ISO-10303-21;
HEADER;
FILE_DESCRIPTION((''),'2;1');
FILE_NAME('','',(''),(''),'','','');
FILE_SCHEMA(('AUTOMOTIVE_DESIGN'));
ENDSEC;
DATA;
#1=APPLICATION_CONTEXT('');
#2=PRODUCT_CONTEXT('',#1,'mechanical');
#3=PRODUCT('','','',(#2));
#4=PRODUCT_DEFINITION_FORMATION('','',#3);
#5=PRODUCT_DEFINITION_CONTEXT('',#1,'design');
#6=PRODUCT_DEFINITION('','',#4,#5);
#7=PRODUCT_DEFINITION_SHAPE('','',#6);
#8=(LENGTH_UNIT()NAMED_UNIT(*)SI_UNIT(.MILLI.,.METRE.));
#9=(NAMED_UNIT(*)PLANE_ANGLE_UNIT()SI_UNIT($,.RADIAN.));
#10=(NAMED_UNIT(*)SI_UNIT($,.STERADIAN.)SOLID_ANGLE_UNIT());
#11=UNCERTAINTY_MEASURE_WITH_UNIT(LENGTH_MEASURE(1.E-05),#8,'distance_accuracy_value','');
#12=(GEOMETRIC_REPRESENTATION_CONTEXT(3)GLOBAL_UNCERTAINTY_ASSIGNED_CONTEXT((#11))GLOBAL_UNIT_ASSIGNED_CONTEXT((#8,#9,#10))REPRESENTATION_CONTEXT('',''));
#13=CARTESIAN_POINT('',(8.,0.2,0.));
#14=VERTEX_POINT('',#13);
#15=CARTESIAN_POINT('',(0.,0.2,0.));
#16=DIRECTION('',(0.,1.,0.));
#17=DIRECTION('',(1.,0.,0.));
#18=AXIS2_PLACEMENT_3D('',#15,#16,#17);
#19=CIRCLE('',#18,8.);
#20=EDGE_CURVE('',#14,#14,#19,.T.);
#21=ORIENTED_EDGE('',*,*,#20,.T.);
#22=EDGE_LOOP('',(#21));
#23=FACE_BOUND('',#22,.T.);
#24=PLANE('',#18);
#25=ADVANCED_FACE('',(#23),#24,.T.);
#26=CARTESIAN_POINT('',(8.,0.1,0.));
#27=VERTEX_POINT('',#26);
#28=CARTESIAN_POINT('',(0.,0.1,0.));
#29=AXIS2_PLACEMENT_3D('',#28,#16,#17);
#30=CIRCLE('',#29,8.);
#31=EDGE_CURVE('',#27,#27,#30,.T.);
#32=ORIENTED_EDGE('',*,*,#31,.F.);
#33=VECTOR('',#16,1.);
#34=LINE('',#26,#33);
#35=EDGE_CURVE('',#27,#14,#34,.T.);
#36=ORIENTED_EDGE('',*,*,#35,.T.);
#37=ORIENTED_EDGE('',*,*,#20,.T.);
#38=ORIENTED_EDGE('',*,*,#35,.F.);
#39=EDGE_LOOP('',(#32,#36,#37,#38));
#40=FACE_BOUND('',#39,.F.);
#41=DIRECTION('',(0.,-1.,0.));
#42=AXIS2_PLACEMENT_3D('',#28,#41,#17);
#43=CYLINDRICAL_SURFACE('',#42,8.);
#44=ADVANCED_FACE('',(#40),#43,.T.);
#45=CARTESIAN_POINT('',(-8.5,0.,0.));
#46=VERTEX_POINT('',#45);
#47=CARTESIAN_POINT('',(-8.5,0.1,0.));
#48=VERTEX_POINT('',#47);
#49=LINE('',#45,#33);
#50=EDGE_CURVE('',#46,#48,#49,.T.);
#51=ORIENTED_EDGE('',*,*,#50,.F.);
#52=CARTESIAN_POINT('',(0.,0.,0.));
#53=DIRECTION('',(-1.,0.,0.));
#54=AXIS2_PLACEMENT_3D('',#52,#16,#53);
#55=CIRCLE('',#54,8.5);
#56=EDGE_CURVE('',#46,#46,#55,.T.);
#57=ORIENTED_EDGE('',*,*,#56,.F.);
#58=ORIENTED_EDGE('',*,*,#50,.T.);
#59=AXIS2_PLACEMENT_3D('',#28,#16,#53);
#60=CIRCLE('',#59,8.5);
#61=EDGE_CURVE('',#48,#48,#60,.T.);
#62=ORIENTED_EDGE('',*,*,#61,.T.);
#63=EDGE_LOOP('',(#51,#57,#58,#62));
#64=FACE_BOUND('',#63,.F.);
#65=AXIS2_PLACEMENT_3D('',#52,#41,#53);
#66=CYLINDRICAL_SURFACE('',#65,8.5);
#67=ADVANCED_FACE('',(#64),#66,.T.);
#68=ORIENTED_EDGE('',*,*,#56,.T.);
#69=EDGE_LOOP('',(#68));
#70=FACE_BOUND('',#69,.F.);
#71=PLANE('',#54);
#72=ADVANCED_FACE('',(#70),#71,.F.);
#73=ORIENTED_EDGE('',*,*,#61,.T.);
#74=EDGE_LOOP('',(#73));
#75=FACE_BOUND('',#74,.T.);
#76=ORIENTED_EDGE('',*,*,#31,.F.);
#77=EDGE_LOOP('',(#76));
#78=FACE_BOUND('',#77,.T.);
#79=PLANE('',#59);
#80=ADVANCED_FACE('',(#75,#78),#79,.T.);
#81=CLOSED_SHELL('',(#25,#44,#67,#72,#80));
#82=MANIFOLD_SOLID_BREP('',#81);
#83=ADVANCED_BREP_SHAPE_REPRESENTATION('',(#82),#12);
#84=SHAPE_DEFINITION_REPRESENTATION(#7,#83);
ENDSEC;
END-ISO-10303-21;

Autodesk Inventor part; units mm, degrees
ref_plane "YZ Plane" through (0, 0, 0) normal (1, 0, 0) x (0, 1, 0)
ref_plane "XZ Plane" through (0, 0, 0) normal (0, 1, 0) x (-1, 0, 0)
ref_plane "XY Plane" through (0, 0, 0) normal (0, 0, 1) x (1, 0, 0)
sketch "Sketch1" plane through (0, 0, 0) normal (0, 1, 0) x (-1, 0, 0)
  circle A0 centre (0, 0) radius 8.5
  dimension "d0" = 17
extrude "Extrusion1" add sketch "Sketch1" along normal blind 0.1
sketch "Sketch2" plane through (0, 0.1, 0) normal (0, 1, 0) x (1, 0, 0)
  circle A0 centre (0, 0) radius 8
  dimension "d3" = 16
extrude "Extrusion2" add sketch "Sketch2" along normal blind 0.1
properties part number "touchingSensor"
